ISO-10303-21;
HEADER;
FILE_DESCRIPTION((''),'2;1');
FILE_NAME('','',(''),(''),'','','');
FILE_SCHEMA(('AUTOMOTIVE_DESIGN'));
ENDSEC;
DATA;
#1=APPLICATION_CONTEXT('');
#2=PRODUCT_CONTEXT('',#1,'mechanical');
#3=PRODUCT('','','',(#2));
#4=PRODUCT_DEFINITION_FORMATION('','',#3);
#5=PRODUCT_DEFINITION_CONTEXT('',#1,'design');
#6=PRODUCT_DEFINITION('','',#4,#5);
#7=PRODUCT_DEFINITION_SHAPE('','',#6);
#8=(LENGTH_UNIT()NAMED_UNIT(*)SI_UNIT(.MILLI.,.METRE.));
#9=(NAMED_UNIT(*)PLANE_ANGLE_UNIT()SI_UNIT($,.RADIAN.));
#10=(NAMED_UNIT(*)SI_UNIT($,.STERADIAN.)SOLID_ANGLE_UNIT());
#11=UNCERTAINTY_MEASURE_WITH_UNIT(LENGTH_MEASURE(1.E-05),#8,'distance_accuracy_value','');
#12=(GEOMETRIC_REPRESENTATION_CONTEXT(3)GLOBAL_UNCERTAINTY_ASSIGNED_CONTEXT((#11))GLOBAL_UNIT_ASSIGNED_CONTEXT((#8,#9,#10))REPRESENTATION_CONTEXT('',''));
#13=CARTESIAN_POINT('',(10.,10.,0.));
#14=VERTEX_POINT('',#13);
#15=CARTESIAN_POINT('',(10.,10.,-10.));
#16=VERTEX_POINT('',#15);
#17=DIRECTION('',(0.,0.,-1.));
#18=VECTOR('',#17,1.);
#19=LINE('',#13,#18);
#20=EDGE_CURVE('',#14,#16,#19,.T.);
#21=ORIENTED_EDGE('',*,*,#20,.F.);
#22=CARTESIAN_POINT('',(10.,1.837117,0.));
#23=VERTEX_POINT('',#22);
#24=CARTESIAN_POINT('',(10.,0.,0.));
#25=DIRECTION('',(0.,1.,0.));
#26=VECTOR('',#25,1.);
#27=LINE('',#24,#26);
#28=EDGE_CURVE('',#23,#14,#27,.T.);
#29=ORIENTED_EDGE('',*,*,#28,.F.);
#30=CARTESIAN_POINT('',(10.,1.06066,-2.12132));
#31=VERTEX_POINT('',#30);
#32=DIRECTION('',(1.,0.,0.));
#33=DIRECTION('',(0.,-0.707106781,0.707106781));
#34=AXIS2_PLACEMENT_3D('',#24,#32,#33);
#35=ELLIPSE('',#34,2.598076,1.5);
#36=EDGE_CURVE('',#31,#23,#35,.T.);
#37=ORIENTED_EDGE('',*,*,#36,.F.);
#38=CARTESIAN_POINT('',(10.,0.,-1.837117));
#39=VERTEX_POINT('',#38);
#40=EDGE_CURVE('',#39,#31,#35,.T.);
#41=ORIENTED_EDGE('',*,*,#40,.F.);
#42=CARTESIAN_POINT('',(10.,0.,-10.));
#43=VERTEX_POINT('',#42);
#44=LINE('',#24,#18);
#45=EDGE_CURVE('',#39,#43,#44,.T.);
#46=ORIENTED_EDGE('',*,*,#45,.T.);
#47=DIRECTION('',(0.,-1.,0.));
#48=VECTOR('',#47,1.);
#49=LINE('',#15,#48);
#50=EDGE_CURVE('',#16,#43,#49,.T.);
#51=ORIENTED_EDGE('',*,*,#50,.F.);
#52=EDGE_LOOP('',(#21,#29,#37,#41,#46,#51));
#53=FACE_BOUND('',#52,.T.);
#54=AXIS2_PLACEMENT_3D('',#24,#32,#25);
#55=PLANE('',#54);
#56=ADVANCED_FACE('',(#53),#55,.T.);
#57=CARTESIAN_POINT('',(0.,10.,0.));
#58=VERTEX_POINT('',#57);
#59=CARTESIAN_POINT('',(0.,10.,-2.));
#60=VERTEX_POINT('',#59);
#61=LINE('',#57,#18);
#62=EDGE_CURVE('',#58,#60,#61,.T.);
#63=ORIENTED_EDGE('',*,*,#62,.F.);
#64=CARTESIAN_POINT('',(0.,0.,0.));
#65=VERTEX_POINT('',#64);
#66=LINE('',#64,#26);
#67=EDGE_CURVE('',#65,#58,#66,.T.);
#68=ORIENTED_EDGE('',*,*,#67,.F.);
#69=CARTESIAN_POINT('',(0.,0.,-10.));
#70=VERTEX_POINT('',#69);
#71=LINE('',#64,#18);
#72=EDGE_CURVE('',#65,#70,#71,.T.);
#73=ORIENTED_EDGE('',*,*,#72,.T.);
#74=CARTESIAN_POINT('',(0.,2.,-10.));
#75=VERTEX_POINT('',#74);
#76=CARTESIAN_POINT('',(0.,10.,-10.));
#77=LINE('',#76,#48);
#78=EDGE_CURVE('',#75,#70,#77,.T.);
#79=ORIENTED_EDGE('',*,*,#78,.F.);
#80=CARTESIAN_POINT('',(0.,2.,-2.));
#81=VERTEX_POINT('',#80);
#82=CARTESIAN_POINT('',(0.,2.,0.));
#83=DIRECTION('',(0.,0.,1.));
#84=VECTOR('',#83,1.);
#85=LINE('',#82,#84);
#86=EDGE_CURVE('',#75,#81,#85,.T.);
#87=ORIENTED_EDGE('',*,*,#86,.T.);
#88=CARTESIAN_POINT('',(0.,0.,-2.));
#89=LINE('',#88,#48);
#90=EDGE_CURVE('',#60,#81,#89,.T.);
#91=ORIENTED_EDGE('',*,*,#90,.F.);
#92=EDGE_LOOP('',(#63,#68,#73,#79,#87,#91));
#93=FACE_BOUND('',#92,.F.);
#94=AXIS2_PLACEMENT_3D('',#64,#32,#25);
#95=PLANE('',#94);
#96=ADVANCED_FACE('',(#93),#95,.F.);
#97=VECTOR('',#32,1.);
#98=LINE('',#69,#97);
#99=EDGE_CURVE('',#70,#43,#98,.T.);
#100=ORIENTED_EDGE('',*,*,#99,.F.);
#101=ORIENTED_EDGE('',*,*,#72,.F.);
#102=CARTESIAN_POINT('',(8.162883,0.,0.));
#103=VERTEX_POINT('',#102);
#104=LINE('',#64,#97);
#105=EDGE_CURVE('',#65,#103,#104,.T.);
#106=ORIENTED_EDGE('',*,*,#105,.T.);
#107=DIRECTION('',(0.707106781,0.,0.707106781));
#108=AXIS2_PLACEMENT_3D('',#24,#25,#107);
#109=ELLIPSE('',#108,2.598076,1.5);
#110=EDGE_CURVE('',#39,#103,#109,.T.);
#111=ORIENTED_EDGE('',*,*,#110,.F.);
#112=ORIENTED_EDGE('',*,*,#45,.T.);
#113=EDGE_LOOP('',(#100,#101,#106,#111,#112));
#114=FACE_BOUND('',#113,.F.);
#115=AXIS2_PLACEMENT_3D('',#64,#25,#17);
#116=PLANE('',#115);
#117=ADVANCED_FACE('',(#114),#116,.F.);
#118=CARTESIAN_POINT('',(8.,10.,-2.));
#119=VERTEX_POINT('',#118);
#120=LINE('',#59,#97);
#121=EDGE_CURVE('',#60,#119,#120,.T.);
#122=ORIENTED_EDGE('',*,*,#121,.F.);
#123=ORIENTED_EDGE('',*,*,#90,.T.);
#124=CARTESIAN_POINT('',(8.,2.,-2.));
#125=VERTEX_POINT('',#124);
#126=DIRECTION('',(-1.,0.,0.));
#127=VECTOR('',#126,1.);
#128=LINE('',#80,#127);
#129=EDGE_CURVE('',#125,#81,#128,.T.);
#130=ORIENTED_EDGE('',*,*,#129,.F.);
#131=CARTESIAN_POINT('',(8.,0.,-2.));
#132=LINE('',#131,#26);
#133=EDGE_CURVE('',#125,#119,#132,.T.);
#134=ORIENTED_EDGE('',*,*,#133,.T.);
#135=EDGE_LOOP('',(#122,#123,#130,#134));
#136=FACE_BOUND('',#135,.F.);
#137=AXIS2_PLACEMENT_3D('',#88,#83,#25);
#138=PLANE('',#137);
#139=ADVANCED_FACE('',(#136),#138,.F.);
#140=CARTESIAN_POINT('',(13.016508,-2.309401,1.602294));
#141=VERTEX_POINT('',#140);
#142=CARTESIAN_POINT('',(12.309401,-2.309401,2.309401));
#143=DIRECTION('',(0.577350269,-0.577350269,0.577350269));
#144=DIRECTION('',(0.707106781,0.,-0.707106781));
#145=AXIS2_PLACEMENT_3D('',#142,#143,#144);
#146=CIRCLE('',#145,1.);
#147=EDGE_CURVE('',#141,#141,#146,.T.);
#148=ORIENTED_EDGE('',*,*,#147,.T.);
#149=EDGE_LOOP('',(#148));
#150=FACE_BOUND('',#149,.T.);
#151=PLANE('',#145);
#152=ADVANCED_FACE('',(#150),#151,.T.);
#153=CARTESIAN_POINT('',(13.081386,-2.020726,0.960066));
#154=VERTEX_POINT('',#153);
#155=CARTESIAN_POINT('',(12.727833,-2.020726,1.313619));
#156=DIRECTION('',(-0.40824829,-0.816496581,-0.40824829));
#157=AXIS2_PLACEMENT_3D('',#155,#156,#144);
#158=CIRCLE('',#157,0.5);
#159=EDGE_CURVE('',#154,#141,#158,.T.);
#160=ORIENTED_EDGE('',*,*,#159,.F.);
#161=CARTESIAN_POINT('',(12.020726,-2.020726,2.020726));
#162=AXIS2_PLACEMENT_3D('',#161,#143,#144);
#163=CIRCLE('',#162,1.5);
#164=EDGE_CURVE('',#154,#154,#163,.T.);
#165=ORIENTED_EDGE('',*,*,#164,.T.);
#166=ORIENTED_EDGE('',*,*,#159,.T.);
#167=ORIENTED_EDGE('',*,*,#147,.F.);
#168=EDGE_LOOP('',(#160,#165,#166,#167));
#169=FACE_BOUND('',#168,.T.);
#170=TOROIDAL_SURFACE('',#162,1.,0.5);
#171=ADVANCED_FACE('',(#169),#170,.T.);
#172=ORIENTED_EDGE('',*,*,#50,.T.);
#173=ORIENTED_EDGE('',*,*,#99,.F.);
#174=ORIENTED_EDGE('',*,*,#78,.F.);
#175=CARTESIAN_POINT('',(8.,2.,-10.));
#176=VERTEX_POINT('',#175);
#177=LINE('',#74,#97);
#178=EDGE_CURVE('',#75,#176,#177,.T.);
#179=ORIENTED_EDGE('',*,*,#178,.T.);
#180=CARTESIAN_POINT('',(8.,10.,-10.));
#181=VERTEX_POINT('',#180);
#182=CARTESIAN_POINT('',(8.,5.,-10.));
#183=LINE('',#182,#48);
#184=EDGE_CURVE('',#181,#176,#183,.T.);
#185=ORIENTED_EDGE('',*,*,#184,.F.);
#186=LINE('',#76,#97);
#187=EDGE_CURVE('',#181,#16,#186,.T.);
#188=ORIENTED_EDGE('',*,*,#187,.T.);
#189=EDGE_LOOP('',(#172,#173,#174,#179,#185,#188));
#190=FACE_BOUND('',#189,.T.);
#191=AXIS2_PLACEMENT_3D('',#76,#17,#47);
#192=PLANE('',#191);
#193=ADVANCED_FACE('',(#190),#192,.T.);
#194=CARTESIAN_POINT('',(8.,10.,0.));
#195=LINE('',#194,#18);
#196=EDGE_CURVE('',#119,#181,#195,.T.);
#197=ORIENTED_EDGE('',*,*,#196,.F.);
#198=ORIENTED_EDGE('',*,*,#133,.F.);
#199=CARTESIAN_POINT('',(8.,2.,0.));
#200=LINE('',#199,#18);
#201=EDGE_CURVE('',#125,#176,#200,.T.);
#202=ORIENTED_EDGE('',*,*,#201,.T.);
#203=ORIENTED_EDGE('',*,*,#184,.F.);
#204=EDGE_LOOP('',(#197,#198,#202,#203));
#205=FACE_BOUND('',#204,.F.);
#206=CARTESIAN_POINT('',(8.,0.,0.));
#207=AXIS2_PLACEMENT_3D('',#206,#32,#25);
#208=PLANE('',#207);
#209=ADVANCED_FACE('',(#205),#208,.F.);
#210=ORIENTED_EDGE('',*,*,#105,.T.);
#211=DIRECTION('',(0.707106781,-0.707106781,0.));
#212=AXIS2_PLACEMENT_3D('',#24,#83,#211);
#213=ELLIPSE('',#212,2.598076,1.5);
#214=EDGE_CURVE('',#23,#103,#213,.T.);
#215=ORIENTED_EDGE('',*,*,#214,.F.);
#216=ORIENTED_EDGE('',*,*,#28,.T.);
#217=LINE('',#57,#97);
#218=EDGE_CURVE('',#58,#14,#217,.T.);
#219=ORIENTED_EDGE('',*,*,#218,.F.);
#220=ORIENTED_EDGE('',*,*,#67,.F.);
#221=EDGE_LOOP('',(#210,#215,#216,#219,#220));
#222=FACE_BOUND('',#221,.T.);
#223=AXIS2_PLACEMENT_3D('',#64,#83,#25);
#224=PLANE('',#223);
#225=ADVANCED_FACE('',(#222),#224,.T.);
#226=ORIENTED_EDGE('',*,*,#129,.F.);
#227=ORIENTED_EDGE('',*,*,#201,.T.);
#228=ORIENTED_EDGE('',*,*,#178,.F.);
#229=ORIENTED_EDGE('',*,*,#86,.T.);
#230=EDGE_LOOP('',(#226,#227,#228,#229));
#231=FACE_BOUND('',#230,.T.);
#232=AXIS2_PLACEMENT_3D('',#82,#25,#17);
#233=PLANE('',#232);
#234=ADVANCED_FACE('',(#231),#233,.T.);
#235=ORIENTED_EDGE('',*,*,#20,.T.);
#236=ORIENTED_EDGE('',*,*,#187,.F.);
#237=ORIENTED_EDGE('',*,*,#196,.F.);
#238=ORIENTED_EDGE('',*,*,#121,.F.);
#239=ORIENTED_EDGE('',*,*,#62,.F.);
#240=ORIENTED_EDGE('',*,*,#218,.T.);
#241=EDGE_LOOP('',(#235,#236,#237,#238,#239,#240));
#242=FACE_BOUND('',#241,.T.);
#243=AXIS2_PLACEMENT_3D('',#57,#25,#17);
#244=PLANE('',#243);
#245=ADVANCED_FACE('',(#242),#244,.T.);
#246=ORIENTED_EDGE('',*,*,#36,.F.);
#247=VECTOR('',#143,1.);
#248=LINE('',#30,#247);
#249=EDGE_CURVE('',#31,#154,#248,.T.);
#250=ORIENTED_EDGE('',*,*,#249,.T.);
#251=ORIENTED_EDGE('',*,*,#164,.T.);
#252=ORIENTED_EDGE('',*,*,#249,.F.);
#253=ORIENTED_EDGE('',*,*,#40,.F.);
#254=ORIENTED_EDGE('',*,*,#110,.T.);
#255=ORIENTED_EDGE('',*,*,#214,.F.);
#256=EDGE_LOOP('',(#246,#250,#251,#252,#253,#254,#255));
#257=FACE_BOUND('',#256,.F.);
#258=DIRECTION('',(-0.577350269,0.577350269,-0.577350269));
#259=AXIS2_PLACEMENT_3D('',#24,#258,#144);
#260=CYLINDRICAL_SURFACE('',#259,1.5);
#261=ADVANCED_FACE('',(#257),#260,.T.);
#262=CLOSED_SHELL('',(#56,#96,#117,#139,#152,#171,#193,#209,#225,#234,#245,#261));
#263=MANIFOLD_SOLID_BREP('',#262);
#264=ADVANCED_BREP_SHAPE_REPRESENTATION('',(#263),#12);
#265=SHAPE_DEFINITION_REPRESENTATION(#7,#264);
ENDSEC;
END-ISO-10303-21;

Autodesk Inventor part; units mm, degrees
ref_plane "YZ Plane" through (0, 0, 0) normal (1, 0, 0) x (0, 1, 0)
ref_plane "XZ Plane" through (0, 0, 0) normal (0, 1, 0) x (-1, 0, 0)
sketch "Sketch1" plane through (0, 0, 0) normal (1, 0, 0) x (0, 1, 0)
  line L0 (0, 0) -> (10, 0)
  line L1 (0, 0) -> (0, -10)
  line L2 (10, 0) -> (10, -10)
  line L3 (10, -10) -> (0, -10)
  dimension "d0" = 10
  dimension "d1" = 10
extrude "Extrusion1" add sketch "Sketch1" along normal blind 10
shell "Shell1" thickness 2 removed faces 3 at (3.3333, 10, -3.3333) at (3.3333, 6.6667, -10) at (0, 3.3333, -3.3333)
ref_plane "Work Plane2" through (10, 0, 0) normal (-0.5774, 0.5774, -0.5774) x (0.7071, 0, -0.7071)
ref_plane "Work Plane1" through (0, 10, -2) normal (-0.5774, 0.5774, -0.5774) x (0.7071, 0, -0.7071)
sketch "Sketch2" plane through (10, 0, 0) normal (-0.5774, 0.5774, -0.5774) x (0.7071, 0, -0.7071)
  line L0 (0, -8.165) -> (0, 0) projected
  line L1 (-7.0711, 4.0825) -> (0, 0) projected
  line L2 (0, 0) -> (7.0711, 4.0825) projected
  line L3 (0, -6.532) -> (0, 0) projected
  circle A0 centre (0, 0) radius 1.5
  dimension "d5" = 3
extrude "Extrusion2" add sketch "Sketch2" along normal up to next
sketch "Sketch3" plane through (10, 0, 0) normal (0.5774, -0.5774, 0.5774) x (0.7071, 0, -0.7071)
  point P0 (-7.0711, -4.0825)
sketch "Sketch4" plane through (10, 0, 0) normal (0.5774, -0.5774, 0.5774) x (0.7071, 0, -0.7071)
  circle A0 centre (0, 0) radius 1.5 projected
  point P0 (-7.0711, -4.0825)
extrude "Extrusion3" add sketch "Sketch4" along normal blind 4
fillet "Fillet1" radius 0.5 1 edges at (11.2487, -2.3094, 3.3701)
properties part number "Corners"
